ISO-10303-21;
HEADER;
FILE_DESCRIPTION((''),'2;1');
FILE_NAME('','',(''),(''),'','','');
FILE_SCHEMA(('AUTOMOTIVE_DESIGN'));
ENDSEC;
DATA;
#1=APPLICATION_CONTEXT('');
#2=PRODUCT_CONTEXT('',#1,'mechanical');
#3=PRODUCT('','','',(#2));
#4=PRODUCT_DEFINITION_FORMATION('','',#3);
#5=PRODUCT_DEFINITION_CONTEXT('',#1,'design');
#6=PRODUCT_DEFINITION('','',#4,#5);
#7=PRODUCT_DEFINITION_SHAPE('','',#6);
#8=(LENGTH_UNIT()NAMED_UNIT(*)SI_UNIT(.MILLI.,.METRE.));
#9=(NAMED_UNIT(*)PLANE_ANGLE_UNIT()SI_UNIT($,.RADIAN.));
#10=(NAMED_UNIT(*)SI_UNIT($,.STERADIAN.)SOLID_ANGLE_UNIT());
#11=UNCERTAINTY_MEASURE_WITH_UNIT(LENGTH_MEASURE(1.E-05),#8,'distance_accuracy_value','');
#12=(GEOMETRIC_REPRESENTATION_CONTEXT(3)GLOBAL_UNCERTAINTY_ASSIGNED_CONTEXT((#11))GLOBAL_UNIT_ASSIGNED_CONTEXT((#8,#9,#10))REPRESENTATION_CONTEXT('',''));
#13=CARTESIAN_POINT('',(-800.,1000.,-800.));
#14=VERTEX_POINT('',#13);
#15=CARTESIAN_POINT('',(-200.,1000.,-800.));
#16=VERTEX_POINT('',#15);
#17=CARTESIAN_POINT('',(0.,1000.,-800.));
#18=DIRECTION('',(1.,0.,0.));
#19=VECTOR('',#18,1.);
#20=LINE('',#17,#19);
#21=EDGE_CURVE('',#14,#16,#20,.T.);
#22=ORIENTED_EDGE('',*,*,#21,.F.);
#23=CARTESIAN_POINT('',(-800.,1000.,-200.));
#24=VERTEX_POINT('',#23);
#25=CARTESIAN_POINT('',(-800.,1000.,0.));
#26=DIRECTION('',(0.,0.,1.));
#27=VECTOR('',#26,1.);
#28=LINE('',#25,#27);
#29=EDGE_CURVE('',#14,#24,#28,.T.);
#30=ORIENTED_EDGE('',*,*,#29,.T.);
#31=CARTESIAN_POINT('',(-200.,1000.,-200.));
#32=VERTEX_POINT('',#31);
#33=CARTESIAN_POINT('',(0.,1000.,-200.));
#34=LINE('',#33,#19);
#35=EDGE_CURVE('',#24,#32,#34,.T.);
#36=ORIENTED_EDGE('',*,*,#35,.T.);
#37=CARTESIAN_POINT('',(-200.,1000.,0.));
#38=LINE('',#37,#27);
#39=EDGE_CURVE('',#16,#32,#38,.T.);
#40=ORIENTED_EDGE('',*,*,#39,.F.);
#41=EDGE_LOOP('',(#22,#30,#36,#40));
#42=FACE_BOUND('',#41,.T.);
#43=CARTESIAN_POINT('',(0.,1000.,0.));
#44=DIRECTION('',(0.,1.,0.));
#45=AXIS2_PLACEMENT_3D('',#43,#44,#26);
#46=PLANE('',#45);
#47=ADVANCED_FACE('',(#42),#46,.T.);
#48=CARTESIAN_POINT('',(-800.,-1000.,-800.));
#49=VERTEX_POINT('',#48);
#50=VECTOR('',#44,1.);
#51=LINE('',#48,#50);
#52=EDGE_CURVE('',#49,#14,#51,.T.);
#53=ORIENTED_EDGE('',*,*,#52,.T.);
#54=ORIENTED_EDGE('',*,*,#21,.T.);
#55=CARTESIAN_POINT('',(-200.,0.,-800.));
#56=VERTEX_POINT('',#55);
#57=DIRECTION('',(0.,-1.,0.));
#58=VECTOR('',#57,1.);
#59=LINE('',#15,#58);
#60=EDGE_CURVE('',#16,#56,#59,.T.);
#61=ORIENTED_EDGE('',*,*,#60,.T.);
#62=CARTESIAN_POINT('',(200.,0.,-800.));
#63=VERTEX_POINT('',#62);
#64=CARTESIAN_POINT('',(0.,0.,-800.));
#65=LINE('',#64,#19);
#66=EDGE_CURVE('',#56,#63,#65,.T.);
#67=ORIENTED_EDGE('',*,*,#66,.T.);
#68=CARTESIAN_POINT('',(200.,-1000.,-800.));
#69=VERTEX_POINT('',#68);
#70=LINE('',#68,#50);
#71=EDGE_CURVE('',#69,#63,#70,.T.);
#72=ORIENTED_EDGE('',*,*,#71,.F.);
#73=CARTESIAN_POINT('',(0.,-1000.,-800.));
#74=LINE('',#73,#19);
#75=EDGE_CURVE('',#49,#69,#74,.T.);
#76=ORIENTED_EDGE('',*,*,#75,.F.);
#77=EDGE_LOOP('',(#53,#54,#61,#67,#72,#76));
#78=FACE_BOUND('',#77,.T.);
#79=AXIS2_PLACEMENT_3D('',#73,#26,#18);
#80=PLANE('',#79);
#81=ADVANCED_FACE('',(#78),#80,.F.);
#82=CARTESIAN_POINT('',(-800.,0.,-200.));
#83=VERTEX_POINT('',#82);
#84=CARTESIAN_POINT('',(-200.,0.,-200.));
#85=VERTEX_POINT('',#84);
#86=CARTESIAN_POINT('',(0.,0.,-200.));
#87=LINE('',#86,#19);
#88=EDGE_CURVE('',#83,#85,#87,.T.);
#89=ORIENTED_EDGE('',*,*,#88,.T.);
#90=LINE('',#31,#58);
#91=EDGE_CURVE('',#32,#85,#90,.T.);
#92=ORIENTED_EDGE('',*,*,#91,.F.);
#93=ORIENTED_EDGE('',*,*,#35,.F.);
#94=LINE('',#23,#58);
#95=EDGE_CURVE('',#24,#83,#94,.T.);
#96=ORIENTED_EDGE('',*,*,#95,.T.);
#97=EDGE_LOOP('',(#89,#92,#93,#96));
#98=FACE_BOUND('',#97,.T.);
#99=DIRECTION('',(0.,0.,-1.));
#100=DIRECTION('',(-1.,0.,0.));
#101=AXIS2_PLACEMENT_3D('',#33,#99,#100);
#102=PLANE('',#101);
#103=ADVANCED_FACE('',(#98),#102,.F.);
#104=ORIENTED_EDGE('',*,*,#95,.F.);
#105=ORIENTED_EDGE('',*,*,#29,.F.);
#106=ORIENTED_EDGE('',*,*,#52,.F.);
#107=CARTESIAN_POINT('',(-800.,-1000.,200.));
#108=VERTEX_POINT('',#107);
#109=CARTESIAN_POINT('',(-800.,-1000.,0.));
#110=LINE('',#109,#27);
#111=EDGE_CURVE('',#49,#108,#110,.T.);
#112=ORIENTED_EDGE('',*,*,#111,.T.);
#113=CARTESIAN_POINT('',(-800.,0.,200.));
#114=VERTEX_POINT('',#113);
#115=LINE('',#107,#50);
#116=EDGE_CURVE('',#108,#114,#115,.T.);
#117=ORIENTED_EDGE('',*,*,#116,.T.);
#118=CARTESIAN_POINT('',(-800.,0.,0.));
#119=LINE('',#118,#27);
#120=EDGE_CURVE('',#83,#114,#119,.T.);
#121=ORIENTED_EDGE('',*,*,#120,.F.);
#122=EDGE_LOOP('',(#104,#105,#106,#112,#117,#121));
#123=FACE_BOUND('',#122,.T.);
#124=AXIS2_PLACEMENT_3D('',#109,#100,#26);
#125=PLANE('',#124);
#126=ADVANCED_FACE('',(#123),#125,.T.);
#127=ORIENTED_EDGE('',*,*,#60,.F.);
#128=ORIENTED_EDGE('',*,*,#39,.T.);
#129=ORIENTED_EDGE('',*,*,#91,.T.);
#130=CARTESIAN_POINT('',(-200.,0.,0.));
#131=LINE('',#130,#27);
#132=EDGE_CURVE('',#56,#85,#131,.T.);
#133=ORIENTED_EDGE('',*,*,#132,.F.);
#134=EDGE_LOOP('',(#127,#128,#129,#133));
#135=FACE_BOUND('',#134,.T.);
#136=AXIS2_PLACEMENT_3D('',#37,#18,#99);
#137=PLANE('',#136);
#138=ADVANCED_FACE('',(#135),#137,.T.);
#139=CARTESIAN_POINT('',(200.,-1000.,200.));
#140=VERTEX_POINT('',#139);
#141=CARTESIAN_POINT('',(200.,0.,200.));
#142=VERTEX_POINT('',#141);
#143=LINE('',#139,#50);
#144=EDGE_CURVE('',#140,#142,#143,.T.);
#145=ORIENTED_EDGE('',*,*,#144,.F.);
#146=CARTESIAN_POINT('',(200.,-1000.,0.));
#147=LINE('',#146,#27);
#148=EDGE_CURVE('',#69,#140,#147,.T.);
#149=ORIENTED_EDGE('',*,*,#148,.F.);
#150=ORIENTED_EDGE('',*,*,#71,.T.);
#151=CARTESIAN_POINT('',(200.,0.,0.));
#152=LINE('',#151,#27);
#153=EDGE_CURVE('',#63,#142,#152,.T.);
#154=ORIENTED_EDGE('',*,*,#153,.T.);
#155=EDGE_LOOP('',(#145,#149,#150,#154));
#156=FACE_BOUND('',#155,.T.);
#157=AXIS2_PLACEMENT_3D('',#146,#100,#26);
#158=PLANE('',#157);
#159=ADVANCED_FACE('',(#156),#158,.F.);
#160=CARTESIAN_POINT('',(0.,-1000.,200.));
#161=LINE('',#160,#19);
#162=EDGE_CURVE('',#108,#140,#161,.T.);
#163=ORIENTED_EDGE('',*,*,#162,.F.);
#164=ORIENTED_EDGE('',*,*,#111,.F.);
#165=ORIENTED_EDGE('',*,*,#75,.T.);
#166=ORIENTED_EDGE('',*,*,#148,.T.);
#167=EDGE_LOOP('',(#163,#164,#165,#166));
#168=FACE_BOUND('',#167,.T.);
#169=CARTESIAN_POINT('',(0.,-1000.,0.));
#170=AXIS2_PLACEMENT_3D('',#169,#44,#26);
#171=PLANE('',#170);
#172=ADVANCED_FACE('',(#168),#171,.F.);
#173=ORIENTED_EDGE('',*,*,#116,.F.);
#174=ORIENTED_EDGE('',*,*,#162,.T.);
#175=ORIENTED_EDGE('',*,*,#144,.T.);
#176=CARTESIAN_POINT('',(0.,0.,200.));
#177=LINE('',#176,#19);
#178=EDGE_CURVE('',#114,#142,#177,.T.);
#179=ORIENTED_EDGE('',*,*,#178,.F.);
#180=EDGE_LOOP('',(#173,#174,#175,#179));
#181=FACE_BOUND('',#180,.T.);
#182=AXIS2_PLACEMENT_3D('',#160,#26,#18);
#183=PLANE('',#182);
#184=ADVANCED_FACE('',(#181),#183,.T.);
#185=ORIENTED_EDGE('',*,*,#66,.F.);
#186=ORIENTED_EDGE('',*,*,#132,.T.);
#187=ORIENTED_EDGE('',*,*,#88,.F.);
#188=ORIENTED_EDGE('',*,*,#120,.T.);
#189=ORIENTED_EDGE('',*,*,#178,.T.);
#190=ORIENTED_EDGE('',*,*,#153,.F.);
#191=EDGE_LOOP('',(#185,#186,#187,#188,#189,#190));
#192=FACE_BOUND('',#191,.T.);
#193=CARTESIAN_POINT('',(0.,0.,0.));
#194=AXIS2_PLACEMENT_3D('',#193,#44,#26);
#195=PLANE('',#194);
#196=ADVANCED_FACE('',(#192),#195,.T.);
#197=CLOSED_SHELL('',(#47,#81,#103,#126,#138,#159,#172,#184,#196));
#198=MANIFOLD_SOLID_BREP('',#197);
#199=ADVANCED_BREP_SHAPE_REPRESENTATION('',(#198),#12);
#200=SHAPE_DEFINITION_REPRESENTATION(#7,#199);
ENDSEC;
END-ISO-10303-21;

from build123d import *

# Parameters (mm, degrees)
SKETCH1_W           = 1000
SKETCH1_H           = 1000
BOSS_EXTRUDE1_DEPTH = 1000
SKETCH1_3_W         = 600
SKETCH1_3_H         = 600
BOSS_EXTRUDE2_DEPTH = 1000


with BuildPart() as part:
    # Sketch1 → Boss-Extrude1 (new body)
    with BuildSketch(Plane(origin=(0, 0, 0), x_dir=(1, 0, 0), z_dir=(0, 1, 0))):
        with Locations((-300, 300)):
            Rectangle(SKETCH1_W, SKETCH1_H)
    extrude(amount=-BOSS_EXTRUDE1_DEPTH)

    # Sketch1<3> → Boss-Extrude2 (add)
    with BuildSketch(Plane(origin=(0, 0, 0), x_dir=(1, 0, 0), z_dir=(0, 1, 0))):
        with Locations((-500, 500)):
            Rectangle(SKETCH1_3_W, SKETCH1_3_H)
    extrude(amount=BOSS_EXTRUDE2_DEPTH)


solid = part.part
